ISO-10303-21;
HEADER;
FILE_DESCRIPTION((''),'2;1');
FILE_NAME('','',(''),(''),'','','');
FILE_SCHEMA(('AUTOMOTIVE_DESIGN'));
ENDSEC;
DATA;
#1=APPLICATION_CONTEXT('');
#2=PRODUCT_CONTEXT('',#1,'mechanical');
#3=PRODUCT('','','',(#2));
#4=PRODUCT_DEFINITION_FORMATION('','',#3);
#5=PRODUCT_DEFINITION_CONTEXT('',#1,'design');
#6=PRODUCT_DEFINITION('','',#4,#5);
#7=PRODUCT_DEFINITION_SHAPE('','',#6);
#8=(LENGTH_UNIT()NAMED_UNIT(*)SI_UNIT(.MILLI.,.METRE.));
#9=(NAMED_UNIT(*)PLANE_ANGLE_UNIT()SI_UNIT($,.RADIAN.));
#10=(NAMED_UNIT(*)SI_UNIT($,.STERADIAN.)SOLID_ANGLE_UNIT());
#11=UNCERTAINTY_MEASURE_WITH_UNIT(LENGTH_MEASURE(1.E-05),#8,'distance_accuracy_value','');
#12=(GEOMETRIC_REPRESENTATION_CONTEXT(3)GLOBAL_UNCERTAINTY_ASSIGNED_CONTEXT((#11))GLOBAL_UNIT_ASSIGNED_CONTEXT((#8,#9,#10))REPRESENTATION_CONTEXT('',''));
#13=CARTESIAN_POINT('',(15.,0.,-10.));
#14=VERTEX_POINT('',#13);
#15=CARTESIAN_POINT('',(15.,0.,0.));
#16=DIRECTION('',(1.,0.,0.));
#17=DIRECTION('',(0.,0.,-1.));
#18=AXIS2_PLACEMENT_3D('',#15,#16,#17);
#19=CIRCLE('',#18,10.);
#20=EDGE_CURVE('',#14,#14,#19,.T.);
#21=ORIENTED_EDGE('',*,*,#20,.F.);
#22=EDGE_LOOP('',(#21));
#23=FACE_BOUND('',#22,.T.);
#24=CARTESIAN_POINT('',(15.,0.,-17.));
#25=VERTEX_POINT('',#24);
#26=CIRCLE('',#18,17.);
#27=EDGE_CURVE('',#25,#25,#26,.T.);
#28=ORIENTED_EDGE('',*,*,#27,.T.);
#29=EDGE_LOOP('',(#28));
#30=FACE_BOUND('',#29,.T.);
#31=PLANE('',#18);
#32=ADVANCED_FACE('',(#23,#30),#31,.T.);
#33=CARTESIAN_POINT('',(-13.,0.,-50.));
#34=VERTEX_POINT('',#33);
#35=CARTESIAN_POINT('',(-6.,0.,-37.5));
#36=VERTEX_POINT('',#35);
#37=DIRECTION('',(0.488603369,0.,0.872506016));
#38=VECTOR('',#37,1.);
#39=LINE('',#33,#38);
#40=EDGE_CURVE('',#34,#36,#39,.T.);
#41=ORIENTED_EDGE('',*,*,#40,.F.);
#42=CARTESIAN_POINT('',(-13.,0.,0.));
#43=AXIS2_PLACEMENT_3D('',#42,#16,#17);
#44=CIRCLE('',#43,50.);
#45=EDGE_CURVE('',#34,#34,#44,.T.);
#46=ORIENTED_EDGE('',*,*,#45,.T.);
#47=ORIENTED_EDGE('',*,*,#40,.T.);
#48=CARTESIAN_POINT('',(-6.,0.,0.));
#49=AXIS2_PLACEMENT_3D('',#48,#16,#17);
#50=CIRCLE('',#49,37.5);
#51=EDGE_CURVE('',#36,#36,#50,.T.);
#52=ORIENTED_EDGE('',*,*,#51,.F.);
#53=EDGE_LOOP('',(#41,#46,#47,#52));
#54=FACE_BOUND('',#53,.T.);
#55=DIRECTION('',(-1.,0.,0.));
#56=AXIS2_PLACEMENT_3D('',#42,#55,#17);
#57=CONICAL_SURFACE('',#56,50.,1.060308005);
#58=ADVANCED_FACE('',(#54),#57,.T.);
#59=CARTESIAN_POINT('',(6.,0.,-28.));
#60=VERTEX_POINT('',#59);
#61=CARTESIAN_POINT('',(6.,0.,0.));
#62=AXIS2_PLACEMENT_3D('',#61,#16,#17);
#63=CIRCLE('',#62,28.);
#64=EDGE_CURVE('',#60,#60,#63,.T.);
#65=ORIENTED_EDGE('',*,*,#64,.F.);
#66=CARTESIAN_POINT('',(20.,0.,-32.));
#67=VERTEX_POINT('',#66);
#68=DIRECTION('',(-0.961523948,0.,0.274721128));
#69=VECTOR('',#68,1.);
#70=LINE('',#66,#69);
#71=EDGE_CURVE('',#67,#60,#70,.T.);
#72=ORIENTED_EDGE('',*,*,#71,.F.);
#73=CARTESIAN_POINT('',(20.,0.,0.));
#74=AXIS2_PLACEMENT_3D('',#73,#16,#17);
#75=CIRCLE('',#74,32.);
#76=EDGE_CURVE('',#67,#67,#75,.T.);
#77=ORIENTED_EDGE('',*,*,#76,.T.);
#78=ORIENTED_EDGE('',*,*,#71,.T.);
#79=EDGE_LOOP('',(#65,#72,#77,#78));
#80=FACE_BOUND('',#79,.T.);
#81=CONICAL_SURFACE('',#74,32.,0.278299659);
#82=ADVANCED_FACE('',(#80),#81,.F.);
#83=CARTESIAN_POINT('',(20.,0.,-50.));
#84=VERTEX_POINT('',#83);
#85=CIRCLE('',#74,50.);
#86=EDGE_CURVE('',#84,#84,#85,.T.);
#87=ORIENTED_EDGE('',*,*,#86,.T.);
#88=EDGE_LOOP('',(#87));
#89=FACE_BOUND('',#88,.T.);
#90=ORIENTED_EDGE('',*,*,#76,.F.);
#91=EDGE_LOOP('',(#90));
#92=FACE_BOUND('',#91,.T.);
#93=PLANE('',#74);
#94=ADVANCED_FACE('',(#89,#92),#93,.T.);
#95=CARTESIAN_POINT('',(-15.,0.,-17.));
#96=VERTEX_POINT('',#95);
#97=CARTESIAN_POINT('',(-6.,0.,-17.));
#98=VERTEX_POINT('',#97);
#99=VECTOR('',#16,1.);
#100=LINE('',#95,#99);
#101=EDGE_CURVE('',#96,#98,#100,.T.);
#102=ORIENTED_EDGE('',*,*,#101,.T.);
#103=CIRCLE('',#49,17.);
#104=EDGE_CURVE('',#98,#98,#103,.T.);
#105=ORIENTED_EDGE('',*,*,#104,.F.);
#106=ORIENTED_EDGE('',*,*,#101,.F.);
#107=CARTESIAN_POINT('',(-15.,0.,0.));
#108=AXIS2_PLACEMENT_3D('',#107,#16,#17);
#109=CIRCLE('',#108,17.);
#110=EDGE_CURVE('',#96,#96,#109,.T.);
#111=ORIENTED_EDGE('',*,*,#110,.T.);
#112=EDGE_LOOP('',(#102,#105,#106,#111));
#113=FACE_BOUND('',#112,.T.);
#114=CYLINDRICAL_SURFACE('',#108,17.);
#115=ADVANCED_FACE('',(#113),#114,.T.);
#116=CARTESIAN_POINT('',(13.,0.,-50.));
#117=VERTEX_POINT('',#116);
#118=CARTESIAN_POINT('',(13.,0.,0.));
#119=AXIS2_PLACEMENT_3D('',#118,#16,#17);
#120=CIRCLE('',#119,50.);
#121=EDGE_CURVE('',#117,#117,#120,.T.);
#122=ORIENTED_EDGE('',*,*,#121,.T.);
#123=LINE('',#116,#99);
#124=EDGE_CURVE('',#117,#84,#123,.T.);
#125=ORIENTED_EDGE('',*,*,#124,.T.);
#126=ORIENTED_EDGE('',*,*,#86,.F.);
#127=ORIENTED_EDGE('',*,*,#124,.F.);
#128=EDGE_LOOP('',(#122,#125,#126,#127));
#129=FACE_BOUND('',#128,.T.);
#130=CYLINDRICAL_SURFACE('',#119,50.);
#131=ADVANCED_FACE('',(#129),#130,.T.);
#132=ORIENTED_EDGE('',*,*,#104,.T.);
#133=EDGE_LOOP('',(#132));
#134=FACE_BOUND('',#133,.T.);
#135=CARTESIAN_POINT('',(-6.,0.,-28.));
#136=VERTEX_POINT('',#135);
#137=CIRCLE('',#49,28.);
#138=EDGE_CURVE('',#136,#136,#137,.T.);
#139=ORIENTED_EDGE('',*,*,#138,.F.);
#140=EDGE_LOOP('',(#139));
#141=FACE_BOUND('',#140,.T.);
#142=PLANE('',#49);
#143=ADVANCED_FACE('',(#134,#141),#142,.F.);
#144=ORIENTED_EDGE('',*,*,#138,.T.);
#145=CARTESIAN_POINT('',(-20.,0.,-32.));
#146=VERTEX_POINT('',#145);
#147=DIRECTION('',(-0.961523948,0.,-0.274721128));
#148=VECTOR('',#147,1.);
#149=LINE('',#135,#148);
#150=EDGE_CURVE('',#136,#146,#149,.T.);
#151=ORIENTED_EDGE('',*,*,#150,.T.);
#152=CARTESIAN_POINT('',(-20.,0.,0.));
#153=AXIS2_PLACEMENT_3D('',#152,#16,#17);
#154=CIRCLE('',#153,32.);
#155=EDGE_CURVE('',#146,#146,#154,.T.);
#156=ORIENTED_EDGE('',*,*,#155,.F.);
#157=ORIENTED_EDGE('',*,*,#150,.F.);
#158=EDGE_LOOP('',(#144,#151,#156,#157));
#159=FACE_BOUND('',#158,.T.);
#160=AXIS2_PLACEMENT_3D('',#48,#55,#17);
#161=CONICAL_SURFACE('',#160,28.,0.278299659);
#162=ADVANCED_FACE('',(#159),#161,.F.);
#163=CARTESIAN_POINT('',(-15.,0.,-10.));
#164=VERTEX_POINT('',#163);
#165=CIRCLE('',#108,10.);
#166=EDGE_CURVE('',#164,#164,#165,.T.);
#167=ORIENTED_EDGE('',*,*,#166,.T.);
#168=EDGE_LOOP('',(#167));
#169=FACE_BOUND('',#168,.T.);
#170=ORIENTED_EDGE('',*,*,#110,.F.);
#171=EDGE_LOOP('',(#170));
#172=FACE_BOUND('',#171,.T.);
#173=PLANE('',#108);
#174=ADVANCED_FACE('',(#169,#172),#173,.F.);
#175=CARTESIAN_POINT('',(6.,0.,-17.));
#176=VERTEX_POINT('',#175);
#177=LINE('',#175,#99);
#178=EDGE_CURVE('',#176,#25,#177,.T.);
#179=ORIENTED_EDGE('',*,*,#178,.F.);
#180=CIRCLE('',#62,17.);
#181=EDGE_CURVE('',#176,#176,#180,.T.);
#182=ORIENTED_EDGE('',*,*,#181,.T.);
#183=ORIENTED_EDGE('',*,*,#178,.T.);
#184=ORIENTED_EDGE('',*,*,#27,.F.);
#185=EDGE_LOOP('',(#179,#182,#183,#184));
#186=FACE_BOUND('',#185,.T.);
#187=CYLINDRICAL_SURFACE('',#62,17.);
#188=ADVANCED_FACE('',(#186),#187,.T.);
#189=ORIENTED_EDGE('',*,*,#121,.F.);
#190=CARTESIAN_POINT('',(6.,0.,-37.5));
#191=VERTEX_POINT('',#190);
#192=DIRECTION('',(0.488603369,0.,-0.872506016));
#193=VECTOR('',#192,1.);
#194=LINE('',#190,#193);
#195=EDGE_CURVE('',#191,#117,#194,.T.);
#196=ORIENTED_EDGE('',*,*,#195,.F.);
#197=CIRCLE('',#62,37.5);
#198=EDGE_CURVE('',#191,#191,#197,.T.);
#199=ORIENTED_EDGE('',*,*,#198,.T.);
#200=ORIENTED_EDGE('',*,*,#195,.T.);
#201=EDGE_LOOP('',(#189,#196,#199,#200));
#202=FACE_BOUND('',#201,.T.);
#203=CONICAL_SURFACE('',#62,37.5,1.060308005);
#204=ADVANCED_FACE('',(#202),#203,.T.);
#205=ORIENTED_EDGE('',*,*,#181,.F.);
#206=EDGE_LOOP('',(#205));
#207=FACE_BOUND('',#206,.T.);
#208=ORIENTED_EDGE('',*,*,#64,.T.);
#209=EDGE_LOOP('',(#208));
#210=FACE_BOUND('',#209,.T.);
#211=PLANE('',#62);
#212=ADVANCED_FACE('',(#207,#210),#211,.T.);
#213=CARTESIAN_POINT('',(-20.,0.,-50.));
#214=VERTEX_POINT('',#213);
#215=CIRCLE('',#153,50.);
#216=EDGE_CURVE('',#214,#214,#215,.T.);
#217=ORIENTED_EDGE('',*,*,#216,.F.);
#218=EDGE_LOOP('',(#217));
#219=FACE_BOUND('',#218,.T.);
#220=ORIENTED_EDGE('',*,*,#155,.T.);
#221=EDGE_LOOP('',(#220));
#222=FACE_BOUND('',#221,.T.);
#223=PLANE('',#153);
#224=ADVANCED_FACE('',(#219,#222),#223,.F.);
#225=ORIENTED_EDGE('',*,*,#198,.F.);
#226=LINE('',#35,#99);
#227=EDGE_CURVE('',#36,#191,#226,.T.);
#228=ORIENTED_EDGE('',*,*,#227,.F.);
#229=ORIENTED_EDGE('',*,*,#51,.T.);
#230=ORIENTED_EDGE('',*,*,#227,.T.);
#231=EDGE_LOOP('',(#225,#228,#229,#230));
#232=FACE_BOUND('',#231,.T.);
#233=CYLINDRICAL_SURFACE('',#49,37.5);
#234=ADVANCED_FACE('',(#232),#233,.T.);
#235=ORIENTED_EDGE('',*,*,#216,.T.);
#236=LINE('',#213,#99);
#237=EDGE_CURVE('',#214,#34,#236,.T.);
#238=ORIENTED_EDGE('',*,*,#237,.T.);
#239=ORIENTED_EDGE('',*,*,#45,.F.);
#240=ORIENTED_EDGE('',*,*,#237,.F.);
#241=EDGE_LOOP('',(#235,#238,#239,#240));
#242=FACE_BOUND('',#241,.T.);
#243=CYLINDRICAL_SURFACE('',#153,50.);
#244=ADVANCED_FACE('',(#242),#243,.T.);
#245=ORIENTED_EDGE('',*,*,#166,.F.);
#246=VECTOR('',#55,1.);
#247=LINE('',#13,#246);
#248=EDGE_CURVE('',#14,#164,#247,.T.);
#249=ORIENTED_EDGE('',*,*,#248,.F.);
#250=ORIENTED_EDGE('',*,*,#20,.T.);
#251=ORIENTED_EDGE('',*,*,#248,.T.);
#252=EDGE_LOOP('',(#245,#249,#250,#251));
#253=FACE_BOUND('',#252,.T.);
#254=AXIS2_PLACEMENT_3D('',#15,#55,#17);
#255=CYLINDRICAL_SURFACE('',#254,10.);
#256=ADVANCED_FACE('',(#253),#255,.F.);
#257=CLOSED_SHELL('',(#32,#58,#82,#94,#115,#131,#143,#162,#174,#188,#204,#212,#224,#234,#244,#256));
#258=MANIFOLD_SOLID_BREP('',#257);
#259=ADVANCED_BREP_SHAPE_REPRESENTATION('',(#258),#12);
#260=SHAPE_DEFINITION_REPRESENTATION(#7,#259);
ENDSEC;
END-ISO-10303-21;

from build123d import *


with BuildPart() as f1:
    # F0 (on Front) → F1 (revolve)
    with BuildSketch(Plane.XZ):
        Polygon((-15, -10), (-15, -17), (-6, -17), (-6, -28), (-20, -32), (-20, -50), (-13, -50), (-6, -37.5), (6, -37.5), (13, -50), (20, -50), (20, -32), (6, -28), (6, -17), (15, -17), (15, -10), align=None)
    revolve(axis=Axis((7.868852, 0, 0), (1, 0, 0)))


solid = f1.part
